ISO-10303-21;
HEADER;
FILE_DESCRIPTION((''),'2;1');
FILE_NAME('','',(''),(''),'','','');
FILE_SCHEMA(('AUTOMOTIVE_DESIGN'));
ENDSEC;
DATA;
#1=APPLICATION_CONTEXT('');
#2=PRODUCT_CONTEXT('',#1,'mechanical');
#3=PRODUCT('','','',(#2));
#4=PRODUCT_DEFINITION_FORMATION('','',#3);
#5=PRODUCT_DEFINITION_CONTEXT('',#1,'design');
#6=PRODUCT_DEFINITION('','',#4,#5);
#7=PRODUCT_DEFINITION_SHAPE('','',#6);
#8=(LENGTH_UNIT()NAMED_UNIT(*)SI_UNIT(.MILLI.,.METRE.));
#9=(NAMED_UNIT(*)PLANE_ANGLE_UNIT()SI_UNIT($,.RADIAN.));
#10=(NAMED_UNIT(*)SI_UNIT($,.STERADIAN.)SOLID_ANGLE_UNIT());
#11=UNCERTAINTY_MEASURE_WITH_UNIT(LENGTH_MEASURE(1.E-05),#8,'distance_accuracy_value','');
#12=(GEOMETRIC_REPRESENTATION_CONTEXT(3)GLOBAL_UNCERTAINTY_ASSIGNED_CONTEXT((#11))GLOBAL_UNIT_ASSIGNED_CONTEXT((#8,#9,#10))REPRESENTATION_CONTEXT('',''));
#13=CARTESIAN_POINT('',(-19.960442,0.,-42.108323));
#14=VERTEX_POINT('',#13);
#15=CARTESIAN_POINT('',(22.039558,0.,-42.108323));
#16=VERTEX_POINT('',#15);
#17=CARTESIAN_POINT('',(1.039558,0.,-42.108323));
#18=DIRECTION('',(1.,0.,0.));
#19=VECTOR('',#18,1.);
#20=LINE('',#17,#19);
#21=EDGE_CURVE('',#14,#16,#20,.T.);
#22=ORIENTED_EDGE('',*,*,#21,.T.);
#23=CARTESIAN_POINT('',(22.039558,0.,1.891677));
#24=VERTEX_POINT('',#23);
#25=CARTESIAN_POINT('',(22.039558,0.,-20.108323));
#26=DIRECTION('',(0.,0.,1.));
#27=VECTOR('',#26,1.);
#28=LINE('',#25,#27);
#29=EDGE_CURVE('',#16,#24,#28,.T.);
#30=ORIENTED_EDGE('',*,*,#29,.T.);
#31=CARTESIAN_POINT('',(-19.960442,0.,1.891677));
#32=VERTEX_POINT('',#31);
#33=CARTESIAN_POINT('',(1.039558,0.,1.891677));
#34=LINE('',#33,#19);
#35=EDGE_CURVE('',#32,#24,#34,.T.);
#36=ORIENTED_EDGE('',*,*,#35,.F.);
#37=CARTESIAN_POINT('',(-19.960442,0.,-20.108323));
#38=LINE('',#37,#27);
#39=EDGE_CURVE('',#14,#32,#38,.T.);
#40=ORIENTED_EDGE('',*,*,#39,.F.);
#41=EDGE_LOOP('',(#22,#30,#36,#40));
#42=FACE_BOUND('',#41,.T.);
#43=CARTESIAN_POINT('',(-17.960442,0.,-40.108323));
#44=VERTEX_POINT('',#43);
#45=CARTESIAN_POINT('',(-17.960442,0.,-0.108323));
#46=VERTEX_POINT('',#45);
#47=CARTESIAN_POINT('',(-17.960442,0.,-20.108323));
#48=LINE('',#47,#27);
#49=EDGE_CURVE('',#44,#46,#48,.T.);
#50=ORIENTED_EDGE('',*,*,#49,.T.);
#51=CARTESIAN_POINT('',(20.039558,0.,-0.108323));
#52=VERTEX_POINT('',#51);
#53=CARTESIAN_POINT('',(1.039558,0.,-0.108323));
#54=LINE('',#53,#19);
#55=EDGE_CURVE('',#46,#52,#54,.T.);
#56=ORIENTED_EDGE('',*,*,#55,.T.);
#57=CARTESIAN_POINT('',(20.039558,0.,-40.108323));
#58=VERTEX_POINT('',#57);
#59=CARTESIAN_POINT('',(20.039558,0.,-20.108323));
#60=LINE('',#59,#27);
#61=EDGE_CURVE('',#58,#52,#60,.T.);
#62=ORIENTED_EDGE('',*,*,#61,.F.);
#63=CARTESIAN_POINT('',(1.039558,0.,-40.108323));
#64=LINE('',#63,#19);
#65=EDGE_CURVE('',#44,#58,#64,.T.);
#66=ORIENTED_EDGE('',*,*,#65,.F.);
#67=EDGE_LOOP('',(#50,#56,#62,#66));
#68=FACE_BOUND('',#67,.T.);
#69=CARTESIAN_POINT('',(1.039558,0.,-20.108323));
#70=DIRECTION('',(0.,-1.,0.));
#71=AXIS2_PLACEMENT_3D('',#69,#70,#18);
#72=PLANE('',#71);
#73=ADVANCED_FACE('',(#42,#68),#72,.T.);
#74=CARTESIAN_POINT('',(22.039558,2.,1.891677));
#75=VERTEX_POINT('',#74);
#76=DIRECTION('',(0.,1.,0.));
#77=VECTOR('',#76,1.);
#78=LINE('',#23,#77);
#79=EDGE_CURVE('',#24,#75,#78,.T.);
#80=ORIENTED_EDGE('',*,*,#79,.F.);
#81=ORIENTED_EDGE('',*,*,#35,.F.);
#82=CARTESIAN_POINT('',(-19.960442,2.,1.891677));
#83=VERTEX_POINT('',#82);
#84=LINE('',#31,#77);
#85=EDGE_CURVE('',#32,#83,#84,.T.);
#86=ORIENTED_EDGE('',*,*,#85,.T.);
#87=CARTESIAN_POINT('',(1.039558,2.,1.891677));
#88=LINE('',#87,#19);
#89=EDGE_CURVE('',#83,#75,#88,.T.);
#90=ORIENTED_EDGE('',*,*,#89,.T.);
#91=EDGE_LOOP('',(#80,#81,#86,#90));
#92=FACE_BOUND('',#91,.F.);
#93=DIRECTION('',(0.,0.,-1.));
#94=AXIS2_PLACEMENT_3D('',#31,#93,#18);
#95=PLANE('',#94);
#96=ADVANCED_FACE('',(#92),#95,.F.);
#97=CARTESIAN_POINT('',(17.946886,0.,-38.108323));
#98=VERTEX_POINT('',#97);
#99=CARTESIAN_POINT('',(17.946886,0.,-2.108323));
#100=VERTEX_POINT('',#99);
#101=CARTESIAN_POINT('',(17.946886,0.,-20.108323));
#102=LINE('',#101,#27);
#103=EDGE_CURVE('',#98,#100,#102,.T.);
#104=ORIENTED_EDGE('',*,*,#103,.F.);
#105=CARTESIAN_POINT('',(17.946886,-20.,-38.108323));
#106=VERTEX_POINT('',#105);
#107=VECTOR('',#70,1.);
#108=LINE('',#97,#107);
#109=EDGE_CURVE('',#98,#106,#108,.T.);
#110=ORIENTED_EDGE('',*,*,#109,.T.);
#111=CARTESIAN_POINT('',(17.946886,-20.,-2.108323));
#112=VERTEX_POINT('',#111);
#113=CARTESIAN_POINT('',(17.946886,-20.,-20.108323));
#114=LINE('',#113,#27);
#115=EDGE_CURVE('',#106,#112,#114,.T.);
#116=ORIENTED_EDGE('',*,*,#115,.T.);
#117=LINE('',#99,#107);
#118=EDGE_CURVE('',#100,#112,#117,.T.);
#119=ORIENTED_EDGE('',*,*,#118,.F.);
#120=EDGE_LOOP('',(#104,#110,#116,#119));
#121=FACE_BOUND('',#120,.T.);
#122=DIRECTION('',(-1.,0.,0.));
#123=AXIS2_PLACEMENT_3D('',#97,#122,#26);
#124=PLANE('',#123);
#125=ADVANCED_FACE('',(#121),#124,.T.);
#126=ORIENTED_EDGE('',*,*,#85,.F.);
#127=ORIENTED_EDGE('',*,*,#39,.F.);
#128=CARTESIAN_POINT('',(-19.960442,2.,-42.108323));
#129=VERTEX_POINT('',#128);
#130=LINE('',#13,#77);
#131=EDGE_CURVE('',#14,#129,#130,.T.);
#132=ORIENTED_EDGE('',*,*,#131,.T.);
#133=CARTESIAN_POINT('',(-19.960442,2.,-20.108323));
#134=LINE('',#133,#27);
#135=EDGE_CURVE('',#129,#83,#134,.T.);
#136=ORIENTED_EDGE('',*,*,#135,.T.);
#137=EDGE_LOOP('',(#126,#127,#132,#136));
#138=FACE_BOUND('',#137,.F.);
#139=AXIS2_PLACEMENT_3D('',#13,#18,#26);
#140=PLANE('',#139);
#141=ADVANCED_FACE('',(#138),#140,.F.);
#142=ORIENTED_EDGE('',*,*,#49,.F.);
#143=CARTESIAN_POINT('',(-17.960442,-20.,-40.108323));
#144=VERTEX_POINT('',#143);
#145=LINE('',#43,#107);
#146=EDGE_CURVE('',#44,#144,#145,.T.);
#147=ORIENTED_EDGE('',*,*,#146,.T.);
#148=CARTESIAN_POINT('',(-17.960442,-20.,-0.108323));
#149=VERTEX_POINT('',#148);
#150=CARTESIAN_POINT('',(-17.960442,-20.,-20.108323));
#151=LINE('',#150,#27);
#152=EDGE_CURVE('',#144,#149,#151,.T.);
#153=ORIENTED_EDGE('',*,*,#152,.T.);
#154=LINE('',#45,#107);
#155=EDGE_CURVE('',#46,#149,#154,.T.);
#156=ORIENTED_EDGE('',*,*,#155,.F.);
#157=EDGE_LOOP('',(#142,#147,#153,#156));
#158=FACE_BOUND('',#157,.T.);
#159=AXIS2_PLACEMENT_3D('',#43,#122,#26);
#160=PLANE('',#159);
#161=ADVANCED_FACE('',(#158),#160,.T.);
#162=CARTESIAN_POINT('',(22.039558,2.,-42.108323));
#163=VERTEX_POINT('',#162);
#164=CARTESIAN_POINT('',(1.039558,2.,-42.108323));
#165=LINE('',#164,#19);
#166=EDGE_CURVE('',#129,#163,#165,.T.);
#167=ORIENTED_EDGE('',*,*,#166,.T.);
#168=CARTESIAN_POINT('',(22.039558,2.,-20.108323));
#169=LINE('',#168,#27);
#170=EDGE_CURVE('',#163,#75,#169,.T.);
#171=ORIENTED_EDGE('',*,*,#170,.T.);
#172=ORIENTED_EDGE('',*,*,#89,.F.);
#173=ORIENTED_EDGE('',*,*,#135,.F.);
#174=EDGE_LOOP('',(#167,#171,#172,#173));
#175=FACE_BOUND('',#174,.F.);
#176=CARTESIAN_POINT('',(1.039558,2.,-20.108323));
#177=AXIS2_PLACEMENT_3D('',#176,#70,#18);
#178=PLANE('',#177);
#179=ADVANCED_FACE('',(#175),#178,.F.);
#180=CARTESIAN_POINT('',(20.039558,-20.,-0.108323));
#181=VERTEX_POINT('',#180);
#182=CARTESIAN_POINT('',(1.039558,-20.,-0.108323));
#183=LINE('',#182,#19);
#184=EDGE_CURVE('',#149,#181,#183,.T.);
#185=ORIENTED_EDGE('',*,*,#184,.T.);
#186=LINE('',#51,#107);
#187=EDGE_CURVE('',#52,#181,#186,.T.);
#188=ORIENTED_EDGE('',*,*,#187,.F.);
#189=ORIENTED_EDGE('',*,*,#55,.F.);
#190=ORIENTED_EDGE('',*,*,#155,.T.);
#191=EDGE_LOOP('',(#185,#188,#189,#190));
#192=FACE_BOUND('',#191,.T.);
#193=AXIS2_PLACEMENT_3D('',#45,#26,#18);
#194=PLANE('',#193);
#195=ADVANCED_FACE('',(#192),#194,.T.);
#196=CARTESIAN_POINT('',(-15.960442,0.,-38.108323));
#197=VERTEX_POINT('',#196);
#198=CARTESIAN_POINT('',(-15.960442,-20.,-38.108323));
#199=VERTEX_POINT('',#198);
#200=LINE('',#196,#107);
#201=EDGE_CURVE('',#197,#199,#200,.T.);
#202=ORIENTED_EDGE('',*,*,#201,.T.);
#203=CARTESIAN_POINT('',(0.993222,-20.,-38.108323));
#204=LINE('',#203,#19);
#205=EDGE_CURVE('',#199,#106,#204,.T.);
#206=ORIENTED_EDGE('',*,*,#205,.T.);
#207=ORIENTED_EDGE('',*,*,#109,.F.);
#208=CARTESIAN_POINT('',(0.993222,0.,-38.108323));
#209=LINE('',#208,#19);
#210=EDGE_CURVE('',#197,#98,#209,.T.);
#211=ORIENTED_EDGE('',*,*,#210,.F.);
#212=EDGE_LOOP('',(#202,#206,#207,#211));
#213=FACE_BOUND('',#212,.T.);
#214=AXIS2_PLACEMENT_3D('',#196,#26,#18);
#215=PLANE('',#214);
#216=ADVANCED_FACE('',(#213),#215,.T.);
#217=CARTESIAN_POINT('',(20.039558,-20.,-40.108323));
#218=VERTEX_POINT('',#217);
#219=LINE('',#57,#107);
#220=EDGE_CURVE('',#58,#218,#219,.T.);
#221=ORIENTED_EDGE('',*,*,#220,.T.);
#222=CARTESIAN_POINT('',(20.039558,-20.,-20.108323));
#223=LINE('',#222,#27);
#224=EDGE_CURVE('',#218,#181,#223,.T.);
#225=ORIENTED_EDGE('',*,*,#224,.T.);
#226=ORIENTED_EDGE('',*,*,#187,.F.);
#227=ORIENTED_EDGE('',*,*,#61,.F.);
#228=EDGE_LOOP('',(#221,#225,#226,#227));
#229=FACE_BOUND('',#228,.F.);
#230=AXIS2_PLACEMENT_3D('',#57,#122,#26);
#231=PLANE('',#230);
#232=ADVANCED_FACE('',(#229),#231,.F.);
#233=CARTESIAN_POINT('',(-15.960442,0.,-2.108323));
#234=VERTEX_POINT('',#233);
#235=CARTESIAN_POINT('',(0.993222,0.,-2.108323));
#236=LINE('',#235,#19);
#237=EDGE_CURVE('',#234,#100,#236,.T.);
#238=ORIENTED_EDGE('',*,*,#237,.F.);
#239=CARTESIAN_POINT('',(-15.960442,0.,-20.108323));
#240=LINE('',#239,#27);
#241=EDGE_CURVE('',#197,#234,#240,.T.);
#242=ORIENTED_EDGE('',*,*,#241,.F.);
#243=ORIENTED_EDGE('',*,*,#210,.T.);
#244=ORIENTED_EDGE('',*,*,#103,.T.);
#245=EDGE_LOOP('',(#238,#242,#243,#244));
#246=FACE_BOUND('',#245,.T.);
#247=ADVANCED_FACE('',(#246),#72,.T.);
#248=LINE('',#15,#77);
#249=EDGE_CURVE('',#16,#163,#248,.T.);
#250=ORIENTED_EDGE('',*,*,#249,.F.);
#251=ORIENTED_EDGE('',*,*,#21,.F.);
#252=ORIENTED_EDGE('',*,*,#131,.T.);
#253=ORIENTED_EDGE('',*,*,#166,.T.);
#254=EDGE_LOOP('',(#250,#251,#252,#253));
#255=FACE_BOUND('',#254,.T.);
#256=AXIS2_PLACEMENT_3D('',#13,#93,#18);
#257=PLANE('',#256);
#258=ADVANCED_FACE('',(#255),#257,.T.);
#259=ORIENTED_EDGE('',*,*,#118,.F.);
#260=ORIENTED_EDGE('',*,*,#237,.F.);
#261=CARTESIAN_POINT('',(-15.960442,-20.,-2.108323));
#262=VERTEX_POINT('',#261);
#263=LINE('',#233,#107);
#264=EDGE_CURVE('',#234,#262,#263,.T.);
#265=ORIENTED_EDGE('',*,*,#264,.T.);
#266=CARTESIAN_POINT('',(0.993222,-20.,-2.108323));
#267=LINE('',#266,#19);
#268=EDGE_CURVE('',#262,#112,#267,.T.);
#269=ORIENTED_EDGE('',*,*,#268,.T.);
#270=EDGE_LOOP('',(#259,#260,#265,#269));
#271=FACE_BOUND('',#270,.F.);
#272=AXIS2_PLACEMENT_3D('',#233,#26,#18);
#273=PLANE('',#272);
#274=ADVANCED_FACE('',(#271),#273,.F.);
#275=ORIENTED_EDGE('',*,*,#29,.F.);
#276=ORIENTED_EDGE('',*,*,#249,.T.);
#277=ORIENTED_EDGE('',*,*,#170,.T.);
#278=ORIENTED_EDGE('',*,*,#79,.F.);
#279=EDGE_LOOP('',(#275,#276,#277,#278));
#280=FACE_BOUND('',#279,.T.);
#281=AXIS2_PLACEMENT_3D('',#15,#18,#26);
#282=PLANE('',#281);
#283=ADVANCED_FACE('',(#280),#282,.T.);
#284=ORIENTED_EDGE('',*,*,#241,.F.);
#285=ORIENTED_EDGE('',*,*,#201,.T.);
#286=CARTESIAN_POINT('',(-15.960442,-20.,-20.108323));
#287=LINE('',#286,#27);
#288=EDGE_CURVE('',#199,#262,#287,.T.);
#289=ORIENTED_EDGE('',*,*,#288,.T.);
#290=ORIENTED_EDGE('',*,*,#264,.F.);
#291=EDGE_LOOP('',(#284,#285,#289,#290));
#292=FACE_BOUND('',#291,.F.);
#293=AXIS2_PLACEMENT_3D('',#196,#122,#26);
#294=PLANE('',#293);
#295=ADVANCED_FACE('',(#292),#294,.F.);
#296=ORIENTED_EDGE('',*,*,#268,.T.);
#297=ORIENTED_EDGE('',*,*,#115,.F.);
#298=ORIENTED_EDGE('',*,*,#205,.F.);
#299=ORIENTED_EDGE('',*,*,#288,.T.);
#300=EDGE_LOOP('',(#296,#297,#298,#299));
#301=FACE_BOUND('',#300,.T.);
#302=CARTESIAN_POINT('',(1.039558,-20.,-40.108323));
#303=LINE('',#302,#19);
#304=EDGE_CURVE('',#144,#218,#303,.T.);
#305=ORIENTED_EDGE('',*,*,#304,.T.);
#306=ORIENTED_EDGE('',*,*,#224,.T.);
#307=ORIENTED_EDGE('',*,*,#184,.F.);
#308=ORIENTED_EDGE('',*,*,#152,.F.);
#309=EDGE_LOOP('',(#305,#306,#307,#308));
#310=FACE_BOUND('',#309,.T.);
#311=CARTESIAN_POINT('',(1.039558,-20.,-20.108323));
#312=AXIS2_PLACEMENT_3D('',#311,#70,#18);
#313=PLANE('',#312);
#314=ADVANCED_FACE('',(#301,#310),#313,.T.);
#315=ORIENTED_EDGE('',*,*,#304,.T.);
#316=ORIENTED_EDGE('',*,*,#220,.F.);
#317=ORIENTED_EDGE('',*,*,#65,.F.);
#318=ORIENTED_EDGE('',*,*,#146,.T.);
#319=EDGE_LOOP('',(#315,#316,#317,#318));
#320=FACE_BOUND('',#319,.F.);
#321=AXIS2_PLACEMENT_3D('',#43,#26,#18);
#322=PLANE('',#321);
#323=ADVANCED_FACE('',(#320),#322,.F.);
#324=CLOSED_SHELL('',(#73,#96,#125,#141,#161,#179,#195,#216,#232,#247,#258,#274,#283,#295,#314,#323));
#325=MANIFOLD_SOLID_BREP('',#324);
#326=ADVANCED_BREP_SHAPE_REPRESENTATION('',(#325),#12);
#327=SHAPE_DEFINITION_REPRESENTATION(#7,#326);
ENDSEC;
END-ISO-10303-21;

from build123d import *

# Parameters (mm, degrees)
F0_W     = 38
F0_H     = 40
F0_W_2   = 33.907328
F0_H_2   = 36
F1_DEPTH = 20
F2_W     = 42
F2_H     = 44
F3_DEPTH = 2


with BuildPart() as f1:
    # F0 (on Front) → F1 (new body)
    with BuildSketch(Plane.XZ):
        with Locations((1.039558, -20.108323)):
            Rectangle(F0_W, F0_H)
        with Locations((0.993222, -20.108323)):
            Rectangle(F0_W_2, F0_H_2, mode=Mode.SUBTRACT)
    extrude(amount=F1_DEPTH)

    # F2 (on Front) → F3 (join)
    with BuildSketch(Plane.XZ):
        with Locations((1.039558, -20.108323)):
            Rectangle(F2_W, F2_H)
    extrude(amount=-F3_DEPTH)


solid = f1.part
